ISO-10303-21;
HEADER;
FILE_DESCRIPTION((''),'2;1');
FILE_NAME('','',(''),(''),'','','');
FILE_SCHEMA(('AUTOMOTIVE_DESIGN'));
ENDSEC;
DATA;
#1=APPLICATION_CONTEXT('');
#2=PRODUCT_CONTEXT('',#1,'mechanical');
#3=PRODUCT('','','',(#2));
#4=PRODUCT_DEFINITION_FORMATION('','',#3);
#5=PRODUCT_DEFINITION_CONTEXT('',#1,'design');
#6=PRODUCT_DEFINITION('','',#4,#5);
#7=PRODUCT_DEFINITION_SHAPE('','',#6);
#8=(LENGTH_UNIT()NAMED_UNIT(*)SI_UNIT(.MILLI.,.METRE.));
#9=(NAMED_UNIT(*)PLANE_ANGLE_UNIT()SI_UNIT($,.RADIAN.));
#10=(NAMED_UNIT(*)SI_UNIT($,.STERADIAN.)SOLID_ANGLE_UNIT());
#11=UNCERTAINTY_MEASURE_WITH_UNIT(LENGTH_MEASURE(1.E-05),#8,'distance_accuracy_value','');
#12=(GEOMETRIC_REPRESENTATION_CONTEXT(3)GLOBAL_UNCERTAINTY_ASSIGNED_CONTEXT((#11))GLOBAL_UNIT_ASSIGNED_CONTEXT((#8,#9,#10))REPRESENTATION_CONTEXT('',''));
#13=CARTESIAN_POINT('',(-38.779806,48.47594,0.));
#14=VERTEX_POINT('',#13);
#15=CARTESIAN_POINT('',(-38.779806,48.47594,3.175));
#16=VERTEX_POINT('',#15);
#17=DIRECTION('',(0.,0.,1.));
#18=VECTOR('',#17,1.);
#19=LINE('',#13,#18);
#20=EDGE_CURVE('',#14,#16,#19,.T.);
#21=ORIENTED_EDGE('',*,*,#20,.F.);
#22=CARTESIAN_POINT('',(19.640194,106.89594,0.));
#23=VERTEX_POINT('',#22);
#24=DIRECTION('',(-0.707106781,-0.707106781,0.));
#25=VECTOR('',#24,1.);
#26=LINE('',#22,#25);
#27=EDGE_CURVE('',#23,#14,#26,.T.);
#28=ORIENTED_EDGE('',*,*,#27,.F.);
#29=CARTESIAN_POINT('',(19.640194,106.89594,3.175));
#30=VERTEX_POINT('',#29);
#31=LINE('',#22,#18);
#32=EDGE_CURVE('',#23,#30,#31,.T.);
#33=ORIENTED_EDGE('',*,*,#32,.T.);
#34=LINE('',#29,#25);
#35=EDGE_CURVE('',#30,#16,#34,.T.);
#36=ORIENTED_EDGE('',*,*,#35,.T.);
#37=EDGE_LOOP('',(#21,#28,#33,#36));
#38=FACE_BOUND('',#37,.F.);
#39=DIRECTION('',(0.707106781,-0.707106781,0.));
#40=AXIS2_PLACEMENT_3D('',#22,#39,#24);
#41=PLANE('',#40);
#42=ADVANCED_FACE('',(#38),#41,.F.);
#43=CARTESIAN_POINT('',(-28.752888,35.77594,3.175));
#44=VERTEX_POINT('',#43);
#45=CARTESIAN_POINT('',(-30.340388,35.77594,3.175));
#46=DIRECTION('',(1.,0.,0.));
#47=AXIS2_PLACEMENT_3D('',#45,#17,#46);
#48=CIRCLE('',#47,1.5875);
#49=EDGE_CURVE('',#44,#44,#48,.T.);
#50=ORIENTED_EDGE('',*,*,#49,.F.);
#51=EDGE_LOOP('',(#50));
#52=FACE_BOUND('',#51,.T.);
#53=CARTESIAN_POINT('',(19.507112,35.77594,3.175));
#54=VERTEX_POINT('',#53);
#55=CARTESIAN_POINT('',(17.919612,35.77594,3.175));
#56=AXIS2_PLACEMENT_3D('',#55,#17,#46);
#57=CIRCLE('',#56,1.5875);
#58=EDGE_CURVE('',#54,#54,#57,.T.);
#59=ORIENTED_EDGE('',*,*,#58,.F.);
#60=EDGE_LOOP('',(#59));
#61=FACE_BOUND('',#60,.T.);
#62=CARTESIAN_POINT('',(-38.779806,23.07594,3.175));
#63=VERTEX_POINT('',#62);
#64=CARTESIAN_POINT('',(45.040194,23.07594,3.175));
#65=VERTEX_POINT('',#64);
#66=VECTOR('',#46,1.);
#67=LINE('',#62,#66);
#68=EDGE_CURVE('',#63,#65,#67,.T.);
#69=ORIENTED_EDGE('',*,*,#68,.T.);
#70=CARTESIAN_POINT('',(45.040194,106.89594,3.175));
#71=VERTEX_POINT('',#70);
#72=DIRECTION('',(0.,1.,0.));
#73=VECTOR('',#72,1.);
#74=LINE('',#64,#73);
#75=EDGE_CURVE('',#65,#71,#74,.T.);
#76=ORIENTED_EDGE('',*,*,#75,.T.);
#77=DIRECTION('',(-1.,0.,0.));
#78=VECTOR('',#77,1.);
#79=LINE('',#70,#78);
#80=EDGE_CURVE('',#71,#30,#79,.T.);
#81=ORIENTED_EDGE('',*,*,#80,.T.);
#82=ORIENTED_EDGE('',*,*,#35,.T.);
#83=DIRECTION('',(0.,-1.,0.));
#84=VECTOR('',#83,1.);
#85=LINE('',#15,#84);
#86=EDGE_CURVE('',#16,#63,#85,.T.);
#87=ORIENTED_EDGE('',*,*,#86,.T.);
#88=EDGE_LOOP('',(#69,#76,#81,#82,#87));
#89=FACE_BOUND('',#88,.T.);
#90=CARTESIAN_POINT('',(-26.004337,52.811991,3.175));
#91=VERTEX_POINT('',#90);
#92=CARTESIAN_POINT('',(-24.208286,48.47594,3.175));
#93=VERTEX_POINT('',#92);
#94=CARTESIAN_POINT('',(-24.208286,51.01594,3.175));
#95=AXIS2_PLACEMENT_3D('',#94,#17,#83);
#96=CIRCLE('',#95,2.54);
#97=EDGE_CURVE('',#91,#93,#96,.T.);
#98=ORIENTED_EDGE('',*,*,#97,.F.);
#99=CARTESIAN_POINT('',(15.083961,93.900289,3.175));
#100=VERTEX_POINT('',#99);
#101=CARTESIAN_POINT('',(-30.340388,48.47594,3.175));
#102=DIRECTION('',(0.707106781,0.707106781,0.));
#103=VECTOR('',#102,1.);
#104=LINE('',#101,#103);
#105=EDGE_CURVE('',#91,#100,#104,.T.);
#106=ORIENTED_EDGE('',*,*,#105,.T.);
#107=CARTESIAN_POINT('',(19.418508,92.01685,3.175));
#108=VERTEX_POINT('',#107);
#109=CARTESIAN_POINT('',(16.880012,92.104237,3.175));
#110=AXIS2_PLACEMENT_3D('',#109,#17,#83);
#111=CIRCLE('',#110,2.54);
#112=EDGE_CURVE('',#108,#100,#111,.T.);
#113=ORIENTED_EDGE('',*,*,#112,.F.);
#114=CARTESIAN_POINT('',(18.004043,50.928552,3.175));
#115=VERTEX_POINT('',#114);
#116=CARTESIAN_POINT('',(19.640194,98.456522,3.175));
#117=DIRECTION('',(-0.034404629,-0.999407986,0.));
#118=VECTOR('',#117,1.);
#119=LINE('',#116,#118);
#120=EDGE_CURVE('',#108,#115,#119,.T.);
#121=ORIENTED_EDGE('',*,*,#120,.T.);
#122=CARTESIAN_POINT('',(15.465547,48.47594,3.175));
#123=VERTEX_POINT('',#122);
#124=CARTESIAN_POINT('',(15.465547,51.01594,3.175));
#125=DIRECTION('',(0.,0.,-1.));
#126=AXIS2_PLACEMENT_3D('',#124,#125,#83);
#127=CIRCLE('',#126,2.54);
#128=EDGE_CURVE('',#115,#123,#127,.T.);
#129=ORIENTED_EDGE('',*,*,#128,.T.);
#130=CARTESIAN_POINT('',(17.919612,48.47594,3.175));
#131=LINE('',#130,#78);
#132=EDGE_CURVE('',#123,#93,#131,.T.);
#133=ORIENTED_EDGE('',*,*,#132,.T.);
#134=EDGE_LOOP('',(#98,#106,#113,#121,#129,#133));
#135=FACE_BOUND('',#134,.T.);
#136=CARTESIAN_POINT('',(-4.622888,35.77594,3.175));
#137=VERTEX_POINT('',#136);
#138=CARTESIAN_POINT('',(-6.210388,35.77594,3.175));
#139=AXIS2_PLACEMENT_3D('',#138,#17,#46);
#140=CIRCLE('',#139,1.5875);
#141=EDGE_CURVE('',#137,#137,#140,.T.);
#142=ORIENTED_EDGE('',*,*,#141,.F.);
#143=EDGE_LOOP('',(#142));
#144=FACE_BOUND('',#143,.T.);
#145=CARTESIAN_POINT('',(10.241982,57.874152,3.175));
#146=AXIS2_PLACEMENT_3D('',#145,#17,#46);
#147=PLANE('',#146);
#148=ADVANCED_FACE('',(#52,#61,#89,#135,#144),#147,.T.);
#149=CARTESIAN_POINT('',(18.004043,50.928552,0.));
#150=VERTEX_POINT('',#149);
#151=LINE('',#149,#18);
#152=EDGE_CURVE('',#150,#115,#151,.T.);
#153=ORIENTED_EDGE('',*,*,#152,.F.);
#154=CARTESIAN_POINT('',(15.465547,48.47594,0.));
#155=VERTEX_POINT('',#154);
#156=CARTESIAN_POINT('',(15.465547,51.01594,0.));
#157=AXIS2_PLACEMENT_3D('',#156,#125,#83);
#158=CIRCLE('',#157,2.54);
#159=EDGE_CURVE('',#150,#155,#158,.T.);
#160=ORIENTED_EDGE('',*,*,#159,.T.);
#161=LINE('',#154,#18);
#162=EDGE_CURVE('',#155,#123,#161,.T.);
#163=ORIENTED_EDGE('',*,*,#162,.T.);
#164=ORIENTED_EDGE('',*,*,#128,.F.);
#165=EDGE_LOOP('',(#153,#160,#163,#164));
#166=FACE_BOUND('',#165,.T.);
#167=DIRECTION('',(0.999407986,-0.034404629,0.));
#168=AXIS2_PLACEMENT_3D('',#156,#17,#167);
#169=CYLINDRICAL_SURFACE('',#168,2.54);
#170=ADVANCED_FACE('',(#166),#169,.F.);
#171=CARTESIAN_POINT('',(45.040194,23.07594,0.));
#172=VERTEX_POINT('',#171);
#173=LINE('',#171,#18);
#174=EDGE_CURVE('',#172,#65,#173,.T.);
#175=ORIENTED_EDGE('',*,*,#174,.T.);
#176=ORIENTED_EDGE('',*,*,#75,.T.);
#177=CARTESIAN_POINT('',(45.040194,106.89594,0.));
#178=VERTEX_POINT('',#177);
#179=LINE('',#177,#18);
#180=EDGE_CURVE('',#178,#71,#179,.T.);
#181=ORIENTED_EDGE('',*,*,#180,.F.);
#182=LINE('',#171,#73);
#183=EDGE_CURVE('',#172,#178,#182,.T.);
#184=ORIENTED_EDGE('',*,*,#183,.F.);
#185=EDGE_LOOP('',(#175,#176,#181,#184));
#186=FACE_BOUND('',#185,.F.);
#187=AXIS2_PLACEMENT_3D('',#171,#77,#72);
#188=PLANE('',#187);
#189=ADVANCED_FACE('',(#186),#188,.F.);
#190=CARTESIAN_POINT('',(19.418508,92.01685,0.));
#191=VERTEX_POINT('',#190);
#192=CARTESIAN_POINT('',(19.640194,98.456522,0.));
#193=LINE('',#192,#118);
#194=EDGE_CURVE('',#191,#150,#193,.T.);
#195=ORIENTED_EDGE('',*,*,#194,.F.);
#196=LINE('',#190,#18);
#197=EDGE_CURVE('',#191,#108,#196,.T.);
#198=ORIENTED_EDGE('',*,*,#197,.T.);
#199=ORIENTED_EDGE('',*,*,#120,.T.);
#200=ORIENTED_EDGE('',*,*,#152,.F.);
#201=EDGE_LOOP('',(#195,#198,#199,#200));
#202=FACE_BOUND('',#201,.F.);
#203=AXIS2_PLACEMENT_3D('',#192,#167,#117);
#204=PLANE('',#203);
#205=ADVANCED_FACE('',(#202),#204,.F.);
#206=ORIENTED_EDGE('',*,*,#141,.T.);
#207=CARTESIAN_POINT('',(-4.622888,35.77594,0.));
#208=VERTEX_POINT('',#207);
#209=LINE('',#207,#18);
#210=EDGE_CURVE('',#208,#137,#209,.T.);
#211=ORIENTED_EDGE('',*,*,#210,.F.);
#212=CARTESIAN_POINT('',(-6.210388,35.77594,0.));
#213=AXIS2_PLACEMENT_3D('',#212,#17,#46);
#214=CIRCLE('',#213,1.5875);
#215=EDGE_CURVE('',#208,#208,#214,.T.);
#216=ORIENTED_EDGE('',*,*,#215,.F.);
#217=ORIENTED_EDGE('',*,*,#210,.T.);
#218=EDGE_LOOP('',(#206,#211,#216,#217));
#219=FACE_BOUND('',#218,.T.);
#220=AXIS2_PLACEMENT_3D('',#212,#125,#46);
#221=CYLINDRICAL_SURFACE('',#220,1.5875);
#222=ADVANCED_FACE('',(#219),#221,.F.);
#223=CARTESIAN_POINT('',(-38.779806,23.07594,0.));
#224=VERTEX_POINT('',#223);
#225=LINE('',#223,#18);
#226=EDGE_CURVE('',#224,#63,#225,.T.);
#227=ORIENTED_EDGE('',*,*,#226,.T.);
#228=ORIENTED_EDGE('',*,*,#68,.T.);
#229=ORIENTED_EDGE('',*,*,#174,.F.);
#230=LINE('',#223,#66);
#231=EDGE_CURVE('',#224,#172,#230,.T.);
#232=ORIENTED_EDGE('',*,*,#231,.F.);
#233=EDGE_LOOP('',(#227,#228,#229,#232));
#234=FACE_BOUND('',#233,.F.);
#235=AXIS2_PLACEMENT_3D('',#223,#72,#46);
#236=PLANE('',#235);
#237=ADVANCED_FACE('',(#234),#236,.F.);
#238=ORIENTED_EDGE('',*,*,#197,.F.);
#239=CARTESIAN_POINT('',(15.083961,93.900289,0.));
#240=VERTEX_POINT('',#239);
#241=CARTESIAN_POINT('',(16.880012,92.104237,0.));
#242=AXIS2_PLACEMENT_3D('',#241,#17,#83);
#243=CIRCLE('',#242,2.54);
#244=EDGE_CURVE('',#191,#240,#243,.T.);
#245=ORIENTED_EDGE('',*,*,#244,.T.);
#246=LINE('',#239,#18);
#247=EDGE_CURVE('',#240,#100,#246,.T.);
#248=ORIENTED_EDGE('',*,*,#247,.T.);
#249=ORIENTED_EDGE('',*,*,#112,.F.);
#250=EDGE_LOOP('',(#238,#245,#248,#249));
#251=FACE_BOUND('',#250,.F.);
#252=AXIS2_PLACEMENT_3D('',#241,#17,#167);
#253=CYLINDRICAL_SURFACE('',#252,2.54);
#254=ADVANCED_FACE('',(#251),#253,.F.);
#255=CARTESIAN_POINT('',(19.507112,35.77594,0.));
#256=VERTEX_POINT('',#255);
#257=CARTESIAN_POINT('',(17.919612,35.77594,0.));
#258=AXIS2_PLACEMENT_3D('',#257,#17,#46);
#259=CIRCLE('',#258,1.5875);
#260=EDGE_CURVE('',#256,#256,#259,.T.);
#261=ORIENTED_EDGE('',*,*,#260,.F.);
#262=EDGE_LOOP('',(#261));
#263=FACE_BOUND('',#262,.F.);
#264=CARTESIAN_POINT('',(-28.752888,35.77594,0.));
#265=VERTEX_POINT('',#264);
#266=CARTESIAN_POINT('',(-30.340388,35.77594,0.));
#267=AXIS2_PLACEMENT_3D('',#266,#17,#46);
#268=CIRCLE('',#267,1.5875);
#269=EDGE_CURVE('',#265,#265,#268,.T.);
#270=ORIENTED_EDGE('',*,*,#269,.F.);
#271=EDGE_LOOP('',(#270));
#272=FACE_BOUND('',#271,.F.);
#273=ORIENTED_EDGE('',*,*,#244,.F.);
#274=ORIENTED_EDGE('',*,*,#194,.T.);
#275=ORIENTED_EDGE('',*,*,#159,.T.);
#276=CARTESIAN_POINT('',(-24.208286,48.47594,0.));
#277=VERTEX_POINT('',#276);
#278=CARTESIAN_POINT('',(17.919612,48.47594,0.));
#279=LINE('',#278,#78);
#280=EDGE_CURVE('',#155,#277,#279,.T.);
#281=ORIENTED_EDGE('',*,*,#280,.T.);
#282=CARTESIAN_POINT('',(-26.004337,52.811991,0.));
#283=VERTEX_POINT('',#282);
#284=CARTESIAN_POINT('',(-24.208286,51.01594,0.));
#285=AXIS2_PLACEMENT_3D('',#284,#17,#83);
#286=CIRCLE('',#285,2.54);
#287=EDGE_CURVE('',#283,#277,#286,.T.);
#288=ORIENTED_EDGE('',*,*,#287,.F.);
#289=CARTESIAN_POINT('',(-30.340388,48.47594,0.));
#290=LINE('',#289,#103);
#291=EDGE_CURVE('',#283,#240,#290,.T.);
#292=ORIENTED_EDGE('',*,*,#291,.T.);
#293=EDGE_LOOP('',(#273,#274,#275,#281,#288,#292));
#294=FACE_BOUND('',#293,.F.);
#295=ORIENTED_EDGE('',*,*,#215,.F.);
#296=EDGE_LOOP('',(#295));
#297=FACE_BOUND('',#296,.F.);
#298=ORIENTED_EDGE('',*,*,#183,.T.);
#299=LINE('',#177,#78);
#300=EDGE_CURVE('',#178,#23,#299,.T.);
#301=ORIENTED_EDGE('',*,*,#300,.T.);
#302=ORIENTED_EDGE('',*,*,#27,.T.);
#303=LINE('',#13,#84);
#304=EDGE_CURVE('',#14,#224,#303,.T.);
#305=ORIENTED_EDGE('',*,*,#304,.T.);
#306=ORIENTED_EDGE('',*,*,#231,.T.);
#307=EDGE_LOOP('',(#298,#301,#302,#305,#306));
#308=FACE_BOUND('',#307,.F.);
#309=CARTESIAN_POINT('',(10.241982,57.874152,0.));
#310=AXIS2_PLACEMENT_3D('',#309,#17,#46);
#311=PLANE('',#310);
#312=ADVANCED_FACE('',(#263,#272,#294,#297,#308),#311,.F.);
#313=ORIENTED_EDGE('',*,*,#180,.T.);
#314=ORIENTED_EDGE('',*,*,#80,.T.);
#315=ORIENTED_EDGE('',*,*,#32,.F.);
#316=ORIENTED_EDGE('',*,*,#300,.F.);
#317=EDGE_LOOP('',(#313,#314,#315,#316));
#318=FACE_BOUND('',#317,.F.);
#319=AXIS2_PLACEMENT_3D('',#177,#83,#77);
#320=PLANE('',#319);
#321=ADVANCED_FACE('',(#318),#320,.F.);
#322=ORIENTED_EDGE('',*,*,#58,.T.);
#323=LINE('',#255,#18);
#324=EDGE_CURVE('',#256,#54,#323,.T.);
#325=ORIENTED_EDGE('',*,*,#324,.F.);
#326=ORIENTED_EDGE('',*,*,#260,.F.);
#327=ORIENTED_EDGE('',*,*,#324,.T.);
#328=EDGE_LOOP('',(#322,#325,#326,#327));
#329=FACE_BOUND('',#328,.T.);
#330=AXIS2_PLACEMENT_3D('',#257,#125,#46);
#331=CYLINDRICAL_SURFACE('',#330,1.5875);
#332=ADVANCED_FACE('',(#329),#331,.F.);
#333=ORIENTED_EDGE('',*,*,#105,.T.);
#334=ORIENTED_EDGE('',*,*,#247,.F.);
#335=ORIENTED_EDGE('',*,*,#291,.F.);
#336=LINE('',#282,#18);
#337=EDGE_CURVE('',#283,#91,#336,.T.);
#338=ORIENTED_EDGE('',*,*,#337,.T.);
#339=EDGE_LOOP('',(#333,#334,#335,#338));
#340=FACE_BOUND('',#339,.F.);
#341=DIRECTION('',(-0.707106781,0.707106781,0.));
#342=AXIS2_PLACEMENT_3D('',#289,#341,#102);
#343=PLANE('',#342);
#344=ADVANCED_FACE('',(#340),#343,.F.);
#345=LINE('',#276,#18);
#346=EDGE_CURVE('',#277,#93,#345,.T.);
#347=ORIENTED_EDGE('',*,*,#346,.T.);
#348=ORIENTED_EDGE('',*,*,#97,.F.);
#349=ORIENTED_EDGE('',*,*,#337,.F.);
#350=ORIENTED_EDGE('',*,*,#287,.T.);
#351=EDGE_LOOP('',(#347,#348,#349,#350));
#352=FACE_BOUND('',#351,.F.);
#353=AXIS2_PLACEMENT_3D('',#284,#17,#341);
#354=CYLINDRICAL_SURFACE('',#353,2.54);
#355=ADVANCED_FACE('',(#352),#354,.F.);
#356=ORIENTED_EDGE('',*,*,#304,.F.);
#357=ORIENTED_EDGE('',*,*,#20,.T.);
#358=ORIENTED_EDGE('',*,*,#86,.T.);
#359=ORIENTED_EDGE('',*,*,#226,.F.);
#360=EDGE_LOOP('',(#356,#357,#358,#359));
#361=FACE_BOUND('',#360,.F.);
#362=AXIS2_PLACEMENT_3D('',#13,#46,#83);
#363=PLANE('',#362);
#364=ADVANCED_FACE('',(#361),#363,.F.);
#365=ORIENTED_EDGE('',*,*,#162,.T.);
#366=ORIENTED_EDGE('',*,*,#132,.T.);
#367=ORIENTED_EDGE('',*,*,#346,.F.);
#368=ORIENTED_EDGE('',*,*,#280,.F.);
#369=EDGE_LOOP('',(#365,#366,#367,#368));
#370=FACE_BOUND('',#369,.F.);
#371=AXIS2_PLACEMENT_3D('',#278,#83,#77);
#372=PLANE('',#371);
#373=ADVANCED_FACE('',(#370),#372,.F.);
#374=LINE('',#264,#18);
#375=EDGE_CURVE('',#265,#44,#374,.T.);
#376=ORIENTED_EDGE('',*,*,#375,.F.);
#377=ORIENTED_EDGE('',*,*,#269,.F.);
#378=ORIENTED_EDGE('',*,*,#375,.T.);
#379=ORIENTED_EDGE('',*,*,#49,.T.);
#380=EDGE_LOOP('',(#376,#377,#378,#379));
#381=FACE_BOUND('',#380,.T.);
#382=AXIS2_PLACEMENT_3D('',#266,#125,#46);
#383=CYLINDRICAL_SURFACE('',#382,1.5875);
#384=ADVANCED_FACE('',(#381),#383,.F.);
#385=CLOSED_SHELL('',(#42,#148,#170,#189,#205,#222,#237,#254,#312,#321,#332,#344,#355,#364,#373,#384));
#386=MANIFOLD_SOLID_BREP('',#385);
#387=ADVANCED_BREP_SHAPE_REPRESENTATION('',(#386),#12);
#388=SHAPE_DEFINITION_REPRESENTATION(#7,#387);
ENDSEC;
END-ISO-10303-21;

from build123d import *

# Parameters (mm, degrees)
F0_R     = 1.5875
F1_DEPTH = 3.175
F2_R     = 2.54


with BuildPart() as f1:
    # F0 (on Top) → F1 (new body)
    with BuildSketch(Plane.XY):
        Polygon((19.640194, 106.89594), (-38.779806, 48.47594), (-38.779806, 23.07594), (45.040194, 23.07594), (45.040194, 106.89594), align=None)
        with Locations((-30.340388, 35.77594)):
            Circle(F0_R, mode=Mode.SUBTRACT)
        with Locations((-6.210388, 35.77594)):
            Circle(F0_R, mode=Mode.SUBTRACT)
        with Locations((17.919612, 35.77594)):
            Circle(F0_R, mode=Mode.SUBTRACT)
        Polygon((17.919612, 48.47594), (-30.340388, 48.47594), (19.640194, 98.456522), align=None, mode=Mode.SUBTRACT)
    extrude(amount=F1_DEPTH)

    # F2
    f2_edges = [f1.edges().sort_by_distance(p)[0] for p in [
        (-30.340388, 48.47594, 1.5875),
        (17.919612, 48.47594, 1.5875),
        (19.640194, 98.456522, 1.5875),
    ]]
    fillet(f2_edges, radius=F2_R)


solid = f1.part
